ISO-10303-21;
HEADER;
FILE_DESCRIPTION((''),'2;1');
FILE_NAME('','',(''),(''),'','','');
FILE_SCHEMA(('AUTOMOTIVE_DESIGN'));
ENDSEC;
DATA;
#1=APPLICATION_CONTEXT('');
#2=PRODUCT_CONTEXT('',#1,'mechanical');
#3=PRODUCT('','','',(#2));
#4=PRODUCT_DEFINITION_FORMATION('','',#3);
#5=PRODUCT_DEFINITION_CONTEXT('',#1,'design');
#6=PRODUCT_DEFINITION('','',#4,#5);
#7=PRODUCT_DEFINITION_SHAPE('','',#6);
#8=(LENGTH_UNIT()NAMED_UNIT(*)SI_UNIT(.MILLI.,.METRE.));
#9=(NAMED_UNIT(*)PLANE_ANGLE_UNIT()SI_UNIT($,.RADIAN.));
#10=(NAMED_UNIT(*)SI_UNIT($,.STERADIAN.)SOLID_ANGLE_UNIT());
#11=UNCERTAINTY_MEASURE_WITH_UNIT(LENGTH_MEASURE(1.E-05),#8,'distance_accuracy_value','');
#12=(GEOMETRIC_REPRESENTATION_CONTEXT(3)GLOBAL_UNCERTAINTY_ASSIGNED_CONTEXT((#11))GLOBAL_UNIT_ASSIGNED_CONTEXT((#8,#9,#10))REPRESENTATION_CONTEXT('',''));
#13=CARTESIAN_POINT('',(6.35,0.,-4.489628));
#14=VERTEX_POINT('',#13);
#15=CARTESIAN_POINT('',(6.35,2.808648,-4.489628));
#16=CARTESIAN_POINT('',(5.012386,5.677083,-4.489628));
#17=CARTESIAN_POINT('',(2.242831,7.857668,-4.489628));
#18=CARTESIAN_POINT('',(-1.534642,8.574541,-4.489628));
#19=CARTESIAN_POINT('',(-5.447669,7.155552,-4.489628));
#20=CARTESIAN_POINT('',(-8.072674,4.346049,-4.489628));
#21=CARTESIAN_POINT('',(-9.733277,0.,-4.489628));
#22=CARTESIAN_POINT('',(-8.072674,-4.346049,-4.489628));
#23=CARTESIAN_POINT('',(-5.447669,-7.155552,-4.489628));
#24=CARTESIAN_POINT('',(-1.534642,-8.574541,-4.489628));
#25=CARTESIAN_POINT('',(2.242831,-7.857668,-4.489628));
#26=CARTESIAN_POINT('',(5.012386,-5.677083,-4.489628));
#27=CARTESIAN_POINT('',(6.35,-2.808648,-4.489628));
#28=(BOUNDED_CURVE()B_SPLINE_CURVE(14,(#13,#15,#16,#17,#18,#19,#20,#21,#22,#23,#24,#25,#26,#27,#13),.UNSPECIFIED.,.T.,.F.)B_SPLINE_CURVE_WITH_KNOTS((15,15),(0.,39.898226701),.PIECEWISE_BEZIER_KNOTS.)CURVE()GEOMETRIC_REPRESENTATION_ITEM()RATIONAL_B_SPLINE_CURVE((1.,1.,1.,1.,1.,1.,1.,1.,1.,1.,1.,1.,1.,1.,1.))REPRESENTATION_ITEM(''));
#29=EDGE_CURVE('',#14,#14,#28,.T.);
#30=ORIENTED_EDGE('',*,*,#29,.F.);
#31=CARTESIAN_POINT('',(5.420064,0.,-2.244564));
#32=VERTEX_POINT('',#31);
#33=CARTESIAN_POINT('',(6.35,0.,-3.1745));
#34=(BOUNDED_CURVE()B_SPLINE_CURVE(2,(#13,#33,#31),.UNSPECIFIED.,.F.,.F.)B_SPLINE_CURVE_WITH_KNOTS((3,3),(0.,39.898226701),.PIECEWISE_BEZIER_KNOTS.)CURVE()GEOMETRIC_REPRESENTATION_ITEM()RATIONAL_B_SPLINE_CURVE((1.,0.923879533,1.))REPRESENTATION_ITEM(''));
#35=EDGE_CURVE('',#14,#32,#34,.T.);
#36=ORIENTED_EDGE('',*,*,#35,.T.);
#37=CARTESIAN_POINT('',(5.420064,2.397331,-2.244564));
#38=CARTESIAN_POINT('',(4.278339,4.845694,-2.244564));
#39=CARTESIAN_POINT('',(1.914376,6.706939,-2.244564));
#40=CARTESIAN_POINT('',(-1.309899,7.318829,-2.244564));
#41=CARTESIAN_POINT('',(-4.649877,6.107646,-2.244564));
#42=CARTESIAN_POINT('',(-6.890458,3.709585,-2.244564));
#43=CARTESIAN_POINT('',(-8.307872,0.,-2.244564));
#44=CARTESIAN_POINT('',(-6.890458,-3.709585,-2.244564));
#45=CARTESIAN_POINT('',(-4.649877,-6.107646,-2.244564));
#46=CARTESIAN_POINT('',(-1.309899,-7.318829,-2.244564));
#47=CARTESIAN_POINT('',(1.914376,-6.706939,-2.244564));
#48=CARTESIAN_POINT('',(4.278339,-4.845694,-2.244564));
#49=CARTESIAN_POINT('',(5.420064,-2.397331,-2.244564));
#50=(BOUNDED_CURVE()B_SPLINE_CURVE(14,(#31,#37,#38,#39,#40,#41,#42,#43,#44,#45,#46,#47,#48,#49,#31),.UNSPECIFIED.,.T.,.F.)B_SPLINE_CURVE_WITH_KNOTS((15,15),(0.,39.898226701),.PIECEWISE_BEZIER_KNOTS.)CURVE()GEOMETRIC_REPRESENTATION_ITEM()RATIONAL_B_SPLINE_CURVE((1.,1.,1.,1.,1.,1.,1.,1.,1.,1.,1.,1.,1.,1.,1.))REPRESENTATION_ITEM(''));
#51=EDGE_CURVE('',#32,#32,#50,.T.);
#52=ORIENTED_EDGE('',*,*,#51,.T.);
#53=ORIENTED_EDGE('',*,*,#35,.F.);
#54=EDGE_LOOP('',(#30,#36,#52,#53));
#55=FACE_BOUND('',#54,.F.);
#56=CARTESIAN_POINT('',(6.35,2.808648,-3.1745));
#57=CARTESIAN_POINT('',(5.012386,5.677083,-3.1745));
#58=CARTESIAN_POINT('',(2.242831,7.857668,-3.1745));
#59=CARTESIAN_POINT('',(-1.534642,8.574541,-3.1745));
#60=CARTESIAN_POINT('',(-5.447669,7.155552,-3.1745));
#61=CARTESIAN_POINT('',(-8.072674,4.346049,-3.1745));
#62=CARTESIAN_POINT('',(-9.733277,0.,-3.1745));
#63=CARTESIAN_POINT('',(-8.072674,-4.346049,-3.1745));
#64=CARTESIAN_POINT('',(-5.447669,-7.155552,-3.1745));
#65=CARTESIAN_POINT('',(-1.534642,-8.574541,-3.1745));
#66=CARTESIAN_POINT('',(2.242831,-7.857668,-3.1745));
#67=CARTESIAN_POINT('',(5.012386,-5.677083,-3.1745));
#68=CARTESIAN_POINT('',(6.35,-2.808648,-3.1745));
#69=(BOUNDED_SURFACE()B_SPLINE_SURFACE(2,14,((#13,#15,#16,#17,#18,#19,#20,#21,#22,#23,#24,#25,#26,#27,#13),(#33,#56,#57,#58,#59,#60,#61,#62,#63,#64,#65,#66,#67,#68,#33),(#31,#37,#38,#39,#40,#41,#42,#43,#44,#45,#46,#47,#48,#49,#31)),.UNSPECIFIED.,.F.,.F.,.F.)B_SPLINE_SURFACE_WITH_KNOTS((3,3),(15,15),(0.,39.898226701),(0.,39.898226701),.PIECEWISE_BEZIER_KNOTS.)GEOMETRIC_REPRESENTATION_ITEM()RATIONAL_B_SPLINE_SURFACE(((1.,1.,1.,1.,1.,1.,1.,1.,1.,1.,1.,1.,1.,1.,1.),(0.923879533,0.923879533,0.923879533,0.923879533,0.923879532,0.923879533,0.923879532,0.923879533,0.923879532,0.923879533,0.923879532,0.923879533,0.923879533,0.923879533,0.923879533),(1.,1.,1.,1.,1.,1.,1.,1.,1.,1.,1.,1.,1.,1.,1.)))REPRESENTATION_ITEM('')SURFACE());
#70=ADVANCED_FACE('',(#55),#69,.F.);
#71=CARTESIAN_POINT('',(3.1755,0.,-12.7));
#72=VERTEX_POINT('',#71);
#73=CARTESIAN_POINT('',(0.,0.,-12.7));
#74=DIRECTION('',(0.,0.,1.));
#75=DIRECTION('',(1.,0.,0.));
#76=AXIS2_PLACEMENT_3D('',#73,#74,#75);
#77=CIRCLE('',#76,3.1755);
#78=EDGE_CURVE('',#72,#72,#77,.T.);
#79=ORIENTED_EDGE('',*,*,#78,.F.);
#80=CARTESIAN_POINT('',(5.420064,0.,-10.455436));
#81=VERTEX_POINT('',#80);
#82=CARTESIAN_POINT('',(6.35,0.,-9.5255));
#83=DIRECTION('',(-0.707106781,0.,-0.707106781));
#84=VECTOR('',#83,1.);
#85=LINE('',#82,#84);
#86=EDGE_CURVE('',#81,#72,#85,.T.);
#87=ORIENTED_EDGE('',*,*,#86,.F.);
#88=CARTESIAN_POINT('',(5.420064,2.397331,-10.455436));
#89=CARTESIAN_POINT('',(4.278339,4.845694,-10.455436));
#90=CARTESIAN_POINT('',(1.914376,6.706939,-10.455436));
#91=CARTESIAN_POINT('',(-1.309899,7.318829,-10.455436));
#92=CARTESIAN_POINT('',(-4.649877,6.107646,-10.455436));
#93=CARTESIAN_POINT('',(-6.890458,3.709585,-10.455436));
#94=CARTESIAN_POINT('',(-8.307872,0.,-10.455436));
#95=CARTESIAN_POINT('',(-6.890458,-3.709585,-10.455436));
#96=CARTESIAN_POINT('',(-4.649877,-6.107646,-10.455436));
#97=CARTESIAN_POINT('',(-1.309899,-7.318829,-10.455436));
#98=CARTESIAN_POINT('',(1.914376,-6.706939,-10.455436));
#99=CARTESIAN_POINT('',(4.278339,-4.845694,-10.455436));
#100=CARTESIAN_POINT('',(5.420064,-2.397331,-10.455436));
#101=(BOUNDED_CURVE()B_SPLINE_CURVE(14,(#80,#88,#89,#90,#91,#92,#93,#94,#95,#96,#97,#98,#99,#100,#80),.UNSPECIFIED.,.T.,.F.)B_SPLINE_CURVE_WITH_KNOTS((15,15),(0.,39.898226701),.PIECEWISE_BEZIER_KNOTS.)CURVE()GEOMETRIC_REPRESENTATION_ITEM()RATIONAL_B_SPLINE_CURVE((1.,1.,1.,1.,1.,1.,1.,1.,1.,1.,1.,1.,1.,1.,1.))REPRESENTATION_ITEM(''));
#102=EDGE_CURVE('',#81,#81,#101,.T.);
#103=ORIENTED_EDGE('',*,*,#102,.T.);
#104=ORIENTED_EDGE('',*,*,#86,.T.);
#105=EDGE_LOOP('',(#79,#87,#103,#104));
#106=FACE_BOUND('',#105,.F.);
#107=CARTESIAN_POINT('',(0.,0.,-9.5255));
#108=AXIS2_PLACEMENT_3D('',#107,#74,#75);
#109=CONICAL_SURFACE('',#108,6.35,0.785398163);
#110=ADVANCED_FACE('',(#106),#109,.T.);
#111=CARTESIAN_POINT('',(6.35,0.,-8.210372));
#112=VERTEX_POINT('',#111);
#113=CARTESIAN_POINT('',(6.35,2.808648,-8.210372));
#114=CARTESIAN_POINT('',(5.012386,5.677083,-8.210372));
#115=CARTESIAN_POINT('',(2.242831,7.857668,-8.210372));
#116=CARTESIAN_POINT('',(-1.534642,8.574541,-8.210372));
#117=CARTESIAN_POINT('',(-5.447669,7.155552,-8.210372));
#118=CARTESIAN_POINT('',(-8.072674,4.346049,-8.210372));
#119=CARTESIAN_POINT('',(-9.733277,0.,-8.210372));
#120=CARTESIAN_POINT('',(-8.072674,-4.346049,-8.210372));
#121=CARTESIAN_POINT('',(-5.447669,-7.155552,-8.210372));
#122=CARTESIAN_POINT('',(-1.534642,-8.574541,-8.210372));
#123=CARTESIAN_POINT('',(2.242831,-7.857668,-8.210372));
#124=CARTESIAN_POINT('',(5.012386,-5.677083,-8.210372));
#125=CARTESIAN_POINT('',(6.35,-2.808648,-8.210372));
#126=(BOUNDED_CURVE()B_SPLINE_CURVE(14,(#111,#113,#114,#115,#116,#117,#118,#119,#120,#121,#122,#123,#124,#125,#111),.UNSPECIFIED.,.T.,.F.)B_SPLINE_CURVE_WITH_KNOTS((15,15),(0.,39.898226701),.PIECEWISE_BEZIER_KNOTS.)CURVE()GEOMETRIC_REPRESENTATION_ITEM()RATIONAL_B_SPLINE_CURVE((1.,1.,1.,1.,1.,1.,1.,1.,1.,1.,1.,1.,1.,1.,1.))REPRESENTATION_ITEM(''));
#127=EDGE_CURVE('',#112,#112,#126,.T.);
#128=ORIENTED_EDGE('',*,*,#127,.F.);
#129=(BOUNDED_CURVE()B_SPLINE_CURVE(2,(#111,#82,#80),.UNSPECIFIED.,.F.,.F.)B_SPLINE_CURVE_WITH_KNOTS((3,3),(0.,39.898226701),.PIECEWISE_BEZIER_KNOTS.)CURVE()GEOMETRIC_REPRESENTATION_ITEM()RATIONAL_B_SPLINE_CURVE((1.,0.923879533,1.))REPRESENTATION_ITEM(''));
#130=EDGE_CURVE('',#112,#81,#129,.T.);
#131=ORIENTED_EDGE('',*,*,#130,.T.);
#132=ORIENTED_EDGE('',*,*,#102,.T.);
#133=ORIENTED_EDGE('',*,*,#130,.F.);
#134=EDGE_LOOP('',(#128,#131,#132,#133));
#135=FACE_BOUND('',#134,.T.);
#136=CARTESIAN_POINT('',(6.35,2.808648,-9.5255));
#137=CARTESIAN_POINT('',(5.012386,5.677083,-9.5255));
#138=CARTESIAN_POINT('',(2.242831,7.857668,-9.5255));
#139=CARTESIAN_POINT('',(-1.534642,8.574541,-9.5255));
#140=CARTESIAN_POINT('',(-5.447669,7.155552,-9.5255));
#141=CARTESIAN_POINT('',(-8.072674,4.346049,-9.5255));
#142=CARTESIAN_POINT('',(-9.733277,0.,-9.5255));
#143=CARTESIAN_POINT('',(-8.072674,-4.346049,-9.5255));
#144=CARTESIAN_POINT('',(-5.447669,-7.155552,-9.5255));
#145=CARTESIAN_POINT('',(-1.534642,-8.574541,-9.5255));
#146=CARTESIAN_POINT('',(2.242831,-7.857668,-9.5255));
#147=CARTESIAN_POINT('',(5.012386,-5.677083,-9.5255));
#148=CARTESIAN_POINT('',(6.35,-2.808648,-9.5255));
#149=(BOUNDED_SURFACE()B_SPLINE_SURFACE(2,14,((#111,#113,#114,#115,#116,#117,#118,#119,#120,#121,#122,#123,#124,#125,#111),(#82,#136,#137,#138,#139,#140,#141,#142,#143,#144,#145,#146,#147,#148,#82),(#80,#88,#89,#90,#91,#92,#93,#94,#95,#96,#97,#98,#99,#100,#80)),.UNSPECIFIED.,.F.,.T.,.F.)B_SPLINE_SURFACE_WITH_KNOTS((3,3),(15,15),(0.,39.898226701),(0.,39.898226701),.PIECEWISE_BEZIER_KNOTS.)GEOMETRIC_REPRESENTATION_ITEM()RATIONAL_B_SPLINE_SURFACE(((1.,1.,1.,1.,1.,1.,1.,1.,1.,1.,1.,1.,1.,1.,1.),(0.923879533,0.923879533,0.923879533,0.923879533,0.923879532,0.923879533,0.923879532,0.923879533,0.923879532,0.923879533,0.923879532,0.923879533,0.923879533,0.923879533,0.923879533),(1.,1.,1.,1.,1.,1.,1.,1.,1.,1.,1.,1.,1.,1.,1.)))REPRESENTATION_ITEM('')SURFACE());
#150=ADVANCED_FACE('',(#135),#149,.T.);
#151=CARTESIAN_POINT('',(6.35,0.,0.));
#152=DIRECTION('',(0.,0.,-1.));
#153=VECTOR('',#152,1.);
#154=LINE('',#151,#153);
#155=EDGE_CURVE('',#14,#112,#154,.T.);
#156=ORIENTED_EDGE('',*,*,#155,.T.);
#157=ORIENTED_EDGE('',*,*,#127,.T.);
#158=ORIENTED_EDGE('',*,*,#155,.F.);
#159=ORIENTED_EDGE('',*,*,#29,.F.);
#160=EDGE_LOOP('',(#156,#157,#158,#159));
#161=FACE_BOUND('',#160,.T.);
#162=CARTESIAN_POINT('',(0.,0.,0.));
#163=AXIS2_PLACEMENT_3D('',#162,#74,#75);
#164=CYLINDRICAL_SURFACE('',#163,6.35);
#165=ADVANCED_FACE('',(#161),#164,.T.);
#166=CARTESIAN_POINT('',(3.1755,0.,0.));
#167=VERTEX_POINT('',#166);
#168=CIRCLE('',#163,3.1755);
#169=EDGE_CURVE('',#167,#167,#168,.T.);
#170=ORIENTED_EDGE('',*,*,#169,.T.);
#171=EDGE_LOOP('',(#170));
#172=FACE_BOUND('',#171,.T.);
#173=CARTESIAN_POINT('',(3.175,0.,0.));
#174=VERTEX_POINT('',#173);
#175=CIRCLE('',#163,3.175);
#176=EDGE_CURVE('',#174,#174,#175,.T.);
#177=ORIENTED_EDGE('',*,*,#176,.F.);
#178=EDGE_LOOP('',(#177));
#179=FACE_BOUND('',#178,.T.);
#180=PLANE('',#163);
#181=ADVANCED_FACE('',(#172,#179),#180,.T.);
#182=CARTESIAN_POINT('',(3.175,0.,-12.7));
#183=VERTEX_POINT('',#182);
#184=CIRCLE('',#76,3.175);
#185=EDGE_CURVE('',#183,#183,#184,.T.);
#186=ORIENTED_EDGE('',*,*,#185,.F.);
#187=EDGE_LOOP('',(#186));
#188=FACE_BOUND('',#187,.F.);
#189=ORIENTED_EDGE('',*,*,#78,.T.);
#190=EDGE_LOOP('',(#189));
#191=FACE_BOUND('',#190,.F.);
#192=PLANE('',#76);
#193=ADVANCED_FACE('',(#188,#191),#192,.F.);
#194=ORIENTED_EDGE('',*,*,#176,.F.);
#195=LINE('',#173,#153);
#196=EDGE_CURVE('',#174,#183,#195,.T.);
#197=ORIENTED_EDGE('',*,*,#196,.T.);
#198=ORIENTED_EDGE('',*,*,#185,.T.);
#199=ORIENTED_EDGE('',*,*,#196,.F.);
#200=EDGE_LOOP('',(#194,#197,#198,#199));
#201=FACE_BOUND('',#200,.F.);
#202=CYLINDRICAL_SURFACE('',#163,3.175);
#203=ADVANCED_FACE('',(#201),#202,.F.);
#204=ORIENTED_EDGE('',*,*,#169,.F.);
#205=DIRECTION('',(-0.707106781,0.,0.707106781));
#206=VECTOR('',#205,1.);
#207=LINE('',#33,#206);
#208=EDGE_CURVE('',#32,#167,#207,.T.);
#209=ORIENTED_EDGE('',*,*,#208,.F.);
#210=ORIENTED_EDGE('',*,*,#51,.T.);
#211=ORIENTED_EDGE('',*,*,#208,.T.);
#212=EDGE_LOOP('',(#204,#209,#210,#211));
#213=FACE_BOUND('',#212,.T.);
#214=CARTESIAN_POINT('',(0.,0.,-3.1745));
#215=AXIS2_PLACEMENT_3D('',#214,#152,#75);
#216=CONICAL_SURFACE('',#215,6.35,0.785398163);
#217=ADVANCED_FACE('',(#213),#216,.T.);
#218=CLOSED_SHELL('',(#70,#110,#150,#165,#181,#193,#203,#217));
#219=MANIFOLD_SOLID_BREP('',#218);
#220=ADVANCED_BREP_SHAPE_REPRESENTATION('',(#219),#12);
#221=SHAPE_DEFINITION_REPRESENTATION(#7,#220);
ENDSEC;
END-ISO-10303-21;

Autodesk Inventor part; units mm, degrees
ref_plane "YZ Plane" through (0, 0, 0) normal (1, 0, 0) x (0, 1, 0)
ref_plane "XZ Plane" through (0, 0, 0) normal (0, 1, 0) x (-1, 0, 0)
ref_plane "XY Plane" through (0, 0, 0) normal (0, 0, 1) x (1, 0, 0)
sketch "Sketch1" plane through (0, 0, 0) normal (0, 0, 1) x (1, 0, 0)
  circle A0 centre (0, 0) radius 3.175
  circle A1 centre (0, 0) radius 6.35
  dimension "d0" = 6.35
  dimension "d1" = 12.7
extrude "Extrusion1" add sketch "Sketch1" against normal blind 12.7
chamfer "Chamfer1" distance 3.175 angle 45 2 edges at (-6.35, 0, 0) (-6.35, 0, -12.7)
fillet "Fillet1" radius 3.175 2 edges at (-6.35, 0, -3.1745) (-6.35, 0, -9.5255)
properties part number "Handle" material "Aluminum 6061"
